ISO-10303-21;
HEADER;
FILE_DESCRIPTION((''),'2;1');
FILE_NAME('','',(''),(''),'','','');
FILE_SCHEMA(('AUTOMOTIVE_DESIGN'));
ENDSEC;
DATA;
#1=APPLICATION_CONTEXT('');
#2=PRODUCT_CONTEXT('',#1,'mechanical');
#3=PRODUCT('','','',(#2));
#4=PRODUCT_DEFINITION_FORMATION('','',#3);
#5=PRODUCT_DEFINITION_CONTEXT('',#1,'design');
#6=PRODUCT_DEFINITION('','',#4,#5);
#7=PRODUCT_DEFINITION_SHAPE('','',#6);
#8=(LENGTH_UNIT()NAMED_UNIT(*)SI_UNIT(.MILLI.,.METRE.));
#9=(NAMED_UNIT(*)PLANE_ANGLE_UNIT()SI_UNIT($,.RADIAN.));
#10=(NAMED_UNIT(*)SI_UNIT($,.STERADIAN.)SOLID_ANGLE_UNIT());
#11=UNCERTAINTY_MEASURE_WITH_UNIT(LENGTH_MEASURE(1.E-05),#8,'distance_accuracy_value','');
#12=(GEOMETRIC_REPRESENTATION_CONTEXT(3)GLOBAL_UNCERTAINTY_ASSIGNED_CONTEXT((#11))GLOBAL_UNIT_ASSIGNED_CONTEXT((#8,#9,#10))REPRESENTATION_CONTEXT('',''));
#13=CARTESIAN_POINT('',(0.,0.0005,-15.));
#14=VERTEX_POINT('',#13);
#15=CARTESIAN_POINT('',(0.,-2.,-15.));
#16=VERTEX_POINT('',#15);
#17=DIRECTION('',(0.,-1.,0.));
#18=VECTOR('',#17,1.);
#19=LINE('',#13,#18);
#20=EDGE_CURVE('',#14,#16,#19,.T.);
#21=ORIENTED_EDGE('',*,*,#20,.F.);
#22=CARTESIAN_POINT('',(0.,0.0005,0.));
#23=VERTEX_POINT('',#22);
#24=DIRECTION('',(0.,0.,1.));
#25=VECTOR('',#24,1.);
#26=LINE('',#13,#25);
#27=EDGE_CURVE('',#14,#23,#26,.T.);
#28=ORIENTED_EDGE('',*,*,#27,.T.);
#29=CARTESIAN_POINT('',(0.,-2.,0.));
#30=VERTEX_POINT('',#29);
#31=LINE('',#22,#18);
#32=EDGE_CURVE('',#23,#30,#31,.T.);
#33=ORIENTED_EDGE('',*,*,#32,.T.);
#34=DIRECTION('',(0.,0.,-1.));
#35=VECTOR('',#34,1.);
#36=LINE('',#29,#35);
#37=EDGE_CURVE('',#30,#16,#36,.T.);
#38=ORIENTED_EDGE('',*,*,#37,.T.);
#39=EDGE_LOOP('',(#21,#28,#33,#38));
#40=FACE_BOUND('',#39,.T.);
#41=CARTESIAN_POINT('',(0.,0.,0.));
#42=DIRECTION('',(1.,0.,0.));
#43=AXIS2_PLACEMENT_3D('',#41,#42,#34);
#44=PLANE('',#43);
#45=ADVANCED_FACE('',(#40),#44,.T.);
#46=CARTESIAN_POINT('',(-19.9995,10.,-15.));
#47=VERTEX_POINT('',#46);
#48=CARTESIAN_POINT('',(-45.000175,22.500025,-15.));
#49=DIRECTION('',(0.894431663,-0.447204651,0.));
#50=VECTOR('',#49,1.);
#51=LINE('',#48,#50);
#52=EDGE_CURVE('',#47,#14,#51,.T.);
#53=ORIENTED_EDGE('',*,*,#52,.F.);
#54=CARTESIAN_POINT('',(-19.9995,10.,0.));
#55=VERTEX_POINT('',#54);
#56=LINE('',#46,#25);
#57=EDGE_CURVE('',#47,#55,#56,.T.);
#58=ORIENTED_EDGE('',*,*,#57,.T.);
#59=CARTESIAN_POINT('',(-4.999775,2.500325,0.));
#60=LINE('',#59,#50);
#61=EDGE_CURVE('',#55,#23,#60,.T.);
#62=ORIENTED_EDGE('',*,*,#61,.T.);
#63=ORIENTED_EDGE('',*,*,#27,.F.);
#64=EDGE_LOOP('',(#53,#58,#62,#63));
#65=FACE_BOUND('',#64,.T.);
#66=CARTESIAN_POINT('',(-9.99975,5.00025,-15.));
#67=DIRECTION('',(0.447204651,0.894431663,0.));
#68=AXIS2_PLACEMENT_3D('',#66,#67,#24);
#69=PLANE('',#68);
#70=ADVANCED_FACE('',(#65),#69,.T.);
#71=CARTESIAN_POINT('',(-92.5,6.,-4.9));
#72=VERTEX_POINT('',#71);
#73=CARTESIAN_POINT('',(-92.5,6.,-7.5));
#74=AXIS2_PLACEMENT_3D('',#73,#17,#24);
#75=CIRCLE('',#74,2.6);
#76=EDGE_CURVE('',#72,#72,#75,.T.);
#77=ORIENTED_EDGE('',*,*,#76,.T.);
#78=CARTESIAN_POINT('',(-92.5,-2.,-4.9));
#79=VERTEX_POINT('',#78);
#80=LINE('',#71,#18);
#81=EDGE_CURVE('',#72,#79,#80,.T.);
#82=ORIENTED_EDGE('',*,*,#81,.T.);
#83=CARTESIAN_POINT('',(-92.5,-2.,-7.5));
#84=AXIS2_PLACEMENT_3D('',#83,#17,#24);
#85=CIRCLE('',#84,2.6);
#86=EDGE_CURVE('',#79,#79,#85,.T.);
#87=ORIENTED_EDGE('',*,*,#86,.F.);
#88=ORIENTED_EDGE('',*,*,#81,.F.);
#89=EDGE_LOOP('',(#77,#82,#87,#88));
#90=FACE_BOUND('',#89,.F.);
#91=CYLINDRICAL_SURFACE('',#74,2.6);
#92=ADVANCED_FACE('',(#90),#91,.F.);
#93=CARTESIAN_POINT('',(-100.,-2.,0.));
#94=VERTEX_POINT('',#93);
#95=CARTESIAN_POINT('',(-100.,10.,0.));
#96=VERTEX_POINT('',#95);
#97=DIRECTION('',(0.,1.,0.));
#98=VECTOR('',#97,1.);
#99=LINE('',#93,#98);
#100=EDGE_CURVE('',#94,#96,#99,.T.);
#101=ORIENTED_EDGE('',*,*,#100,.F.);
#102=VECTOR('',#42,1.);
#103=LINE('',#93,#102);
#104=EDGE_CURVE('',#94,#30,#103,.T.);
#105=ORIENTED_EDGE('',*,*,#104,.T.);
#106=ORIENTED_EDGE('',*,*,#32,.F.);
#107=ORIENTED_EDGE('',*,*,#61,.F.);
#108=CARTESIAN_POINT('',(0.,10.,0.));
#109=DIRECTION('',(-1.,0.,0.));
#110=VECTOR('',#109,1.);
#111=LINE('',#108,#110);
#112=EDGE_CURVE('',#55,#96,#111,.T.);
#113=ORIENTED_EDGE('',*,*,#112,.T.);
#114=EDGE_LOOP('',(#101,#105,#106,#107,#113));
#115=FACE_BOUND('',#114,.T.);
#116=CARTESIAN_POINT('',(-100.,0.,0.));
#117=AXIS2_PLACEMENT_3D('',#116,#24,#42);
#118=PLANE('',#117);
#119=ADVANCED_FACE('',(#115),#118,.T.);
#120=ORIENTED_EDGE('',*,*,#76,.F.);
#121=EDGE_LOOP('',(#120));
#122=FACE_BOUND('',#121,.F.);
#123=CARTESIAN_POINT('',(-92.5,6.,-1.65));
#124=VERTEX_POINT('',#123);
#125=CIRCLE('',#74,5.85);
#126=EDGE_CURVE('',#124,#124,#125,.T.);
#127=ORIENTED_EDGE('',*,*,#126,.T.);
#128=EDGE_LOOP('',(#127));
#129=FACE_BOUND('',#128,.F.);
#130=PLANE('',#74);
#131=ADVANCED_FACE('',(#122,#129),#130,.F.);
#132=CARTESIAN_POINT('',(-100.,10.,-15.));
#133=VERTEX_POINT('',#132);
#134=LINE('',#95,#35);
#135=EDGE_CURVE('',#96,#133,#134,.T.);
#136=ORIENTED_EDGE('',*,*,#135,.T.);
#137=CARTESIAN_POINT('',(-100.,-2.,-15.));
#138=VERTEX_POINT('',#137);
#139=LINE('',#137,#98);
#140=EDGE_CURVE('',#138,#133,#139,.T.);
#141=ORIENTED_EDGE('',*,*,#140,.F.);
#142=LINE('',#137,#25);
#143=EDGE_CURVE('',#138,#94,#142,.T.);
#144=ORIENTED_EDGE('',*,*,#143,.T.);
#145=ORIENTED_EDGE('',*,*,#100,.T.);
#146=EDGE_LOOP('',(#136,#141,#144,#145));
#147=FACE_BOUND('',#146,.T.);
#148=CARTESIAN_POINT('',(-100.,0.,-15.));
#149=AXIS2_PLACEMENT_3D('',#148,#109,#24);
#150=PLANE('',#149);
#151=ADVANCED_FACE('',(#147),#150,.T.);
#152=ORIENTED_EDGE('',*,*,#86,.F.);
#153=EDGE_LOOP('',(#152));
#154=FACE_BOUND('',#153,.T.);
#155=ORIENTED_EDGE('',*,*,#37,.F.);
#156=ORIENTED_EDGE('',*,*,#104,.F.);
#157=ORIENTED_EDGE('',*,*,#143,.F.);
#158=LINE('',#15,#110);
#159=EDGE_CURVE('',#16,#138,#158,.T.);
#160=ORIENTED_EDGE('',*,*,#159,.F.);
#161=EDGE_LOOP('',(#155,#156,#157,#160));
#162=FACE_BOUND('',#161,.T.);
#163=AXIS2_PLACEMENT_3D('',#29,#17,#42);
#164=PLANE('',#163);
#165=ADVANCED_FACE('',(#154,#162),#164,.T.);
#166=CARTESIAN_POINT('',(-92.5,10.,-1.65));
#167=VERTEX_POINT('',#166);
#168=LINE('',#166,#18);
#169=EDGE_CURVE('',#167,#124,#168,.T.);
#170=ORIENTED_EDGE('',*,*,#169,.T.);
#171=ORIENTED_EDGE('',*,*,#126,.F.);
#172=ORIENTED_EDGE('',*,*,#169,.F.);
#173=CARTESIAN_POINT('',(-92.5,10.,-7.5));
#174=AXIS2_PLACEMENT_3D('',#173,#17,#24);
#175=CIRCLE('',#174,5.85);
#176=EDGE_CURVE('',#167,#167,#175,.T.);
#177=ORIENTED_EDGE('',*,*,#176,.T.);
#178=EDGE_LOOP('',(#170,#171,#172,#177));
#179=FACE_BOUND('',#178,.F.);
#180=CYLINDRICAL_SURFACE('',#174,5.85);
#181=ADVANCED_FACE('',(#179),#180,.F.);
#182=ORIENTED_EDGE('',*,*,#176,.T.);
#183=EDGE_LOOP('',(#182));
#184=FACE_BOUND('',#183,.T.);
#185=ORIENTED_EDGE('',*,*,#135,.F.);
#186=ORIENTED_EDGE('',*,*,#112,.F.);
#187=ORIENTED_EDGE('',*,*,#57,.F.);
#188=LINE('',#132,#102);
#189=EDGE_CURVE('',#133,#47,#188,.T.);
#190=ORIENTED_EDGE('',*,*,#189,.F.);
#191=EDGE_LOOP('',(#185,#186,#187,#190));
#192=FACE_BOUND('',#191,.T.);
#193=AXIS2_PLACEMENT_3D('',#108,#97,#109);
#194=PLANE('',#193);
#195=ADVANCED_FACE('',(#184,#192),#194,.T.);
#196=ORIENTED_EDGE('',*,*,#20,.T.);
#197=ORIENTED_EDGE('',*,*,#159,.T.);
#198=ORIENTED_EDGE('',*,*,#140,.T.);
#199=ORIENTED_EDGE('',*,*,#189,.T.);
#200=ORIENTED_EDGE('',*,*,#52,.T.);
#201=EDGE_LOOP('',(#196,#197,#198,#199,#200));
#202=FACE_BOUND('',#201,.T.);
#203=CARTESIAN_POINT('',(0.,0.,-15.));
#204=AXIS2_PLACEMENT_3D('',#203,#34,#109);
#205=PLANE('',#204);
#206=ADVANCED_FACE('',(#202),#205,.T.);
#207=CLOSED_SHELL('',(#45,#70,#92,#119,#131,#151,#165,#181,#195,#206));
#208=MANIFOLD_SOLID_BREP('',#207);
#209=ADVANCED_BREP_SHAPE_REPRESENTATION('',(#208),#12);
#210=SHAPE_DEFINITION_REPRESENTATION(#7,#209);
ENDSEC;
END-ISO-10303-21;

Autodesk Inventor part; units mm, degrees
ref_plane "YZ Plane" through (0, 0, 0) normal (1, 0, 0) x (0, 1, 0)
ref_plane "XZ Plane" through (0, 0, 0) normal (0, 1, 0) x (-1, 0, 0)
ref_plane "XY Plane" through (0, 0, 0) normal (0, 0, 1) x (1, 0, 0)
sketch "Boceto1" plane through (0, 0, 0) normal (0, 1, 0) x (-1, 0, 0)
  line L0 (0, 0) -> (100, 0)
  line L1 (100, 0) -> (100, -15)
  line L2 (100, -15) -> (0, -15)
  line L3 (0, -15) -> (0, 0)
  dimension "d0" = 100
  dimension "d1" = 15
extrude "Extrusión1" add sketch "Boceto1" along normal blind 10
sketch "Boceto3" plane through (0, 0, 0) normal (1, 0, 0) x (0, 0, -1)
  point P0 (0, 0)
chamfer "Chaflán1" distance 20 distance2 10 1 edges at (0, 10, -7.5) measured on face at (-33.3333, 10, -5)
sketch "Boceto4" plane through (0, 0, 0) normal (0, -1, 0) x (1, 0, 0)
  line L0 (0, -15) -> (-100, -15) projected
  line L1 (0, -15) -> (-100, -15)
  line L2 (-100, -15) -> (-100, 0)
  line L3 (-100, 0) -> (0, 0)
  line L4 (0, 0) -> (0, -15)
  dimension "d25" = 100
extrude "Extrusión2" add sketch "Boceto4" along normal blind 2
sketch "Boceto6" plane through (0, 10, 0) normal (0, 1, 0) x (1, 0, 0)
  line L0 (-100, 15) -> (-100, 0) projected
  line L1 (-100, 0) -> (-20, 0) projected
  point P0 (0, 0)
  point P1 (-92.5, 7.5)
  dimension "d26" = 7.5
  dimension "d27" = 7.5
hole "Agujero3" at (-92.5, 10, -7.5) direction (0, -1, 0) diameter 5.2 end through all counterbore diameter 11.7 counterbore depth 4
properties part number "cuña 10cm"
